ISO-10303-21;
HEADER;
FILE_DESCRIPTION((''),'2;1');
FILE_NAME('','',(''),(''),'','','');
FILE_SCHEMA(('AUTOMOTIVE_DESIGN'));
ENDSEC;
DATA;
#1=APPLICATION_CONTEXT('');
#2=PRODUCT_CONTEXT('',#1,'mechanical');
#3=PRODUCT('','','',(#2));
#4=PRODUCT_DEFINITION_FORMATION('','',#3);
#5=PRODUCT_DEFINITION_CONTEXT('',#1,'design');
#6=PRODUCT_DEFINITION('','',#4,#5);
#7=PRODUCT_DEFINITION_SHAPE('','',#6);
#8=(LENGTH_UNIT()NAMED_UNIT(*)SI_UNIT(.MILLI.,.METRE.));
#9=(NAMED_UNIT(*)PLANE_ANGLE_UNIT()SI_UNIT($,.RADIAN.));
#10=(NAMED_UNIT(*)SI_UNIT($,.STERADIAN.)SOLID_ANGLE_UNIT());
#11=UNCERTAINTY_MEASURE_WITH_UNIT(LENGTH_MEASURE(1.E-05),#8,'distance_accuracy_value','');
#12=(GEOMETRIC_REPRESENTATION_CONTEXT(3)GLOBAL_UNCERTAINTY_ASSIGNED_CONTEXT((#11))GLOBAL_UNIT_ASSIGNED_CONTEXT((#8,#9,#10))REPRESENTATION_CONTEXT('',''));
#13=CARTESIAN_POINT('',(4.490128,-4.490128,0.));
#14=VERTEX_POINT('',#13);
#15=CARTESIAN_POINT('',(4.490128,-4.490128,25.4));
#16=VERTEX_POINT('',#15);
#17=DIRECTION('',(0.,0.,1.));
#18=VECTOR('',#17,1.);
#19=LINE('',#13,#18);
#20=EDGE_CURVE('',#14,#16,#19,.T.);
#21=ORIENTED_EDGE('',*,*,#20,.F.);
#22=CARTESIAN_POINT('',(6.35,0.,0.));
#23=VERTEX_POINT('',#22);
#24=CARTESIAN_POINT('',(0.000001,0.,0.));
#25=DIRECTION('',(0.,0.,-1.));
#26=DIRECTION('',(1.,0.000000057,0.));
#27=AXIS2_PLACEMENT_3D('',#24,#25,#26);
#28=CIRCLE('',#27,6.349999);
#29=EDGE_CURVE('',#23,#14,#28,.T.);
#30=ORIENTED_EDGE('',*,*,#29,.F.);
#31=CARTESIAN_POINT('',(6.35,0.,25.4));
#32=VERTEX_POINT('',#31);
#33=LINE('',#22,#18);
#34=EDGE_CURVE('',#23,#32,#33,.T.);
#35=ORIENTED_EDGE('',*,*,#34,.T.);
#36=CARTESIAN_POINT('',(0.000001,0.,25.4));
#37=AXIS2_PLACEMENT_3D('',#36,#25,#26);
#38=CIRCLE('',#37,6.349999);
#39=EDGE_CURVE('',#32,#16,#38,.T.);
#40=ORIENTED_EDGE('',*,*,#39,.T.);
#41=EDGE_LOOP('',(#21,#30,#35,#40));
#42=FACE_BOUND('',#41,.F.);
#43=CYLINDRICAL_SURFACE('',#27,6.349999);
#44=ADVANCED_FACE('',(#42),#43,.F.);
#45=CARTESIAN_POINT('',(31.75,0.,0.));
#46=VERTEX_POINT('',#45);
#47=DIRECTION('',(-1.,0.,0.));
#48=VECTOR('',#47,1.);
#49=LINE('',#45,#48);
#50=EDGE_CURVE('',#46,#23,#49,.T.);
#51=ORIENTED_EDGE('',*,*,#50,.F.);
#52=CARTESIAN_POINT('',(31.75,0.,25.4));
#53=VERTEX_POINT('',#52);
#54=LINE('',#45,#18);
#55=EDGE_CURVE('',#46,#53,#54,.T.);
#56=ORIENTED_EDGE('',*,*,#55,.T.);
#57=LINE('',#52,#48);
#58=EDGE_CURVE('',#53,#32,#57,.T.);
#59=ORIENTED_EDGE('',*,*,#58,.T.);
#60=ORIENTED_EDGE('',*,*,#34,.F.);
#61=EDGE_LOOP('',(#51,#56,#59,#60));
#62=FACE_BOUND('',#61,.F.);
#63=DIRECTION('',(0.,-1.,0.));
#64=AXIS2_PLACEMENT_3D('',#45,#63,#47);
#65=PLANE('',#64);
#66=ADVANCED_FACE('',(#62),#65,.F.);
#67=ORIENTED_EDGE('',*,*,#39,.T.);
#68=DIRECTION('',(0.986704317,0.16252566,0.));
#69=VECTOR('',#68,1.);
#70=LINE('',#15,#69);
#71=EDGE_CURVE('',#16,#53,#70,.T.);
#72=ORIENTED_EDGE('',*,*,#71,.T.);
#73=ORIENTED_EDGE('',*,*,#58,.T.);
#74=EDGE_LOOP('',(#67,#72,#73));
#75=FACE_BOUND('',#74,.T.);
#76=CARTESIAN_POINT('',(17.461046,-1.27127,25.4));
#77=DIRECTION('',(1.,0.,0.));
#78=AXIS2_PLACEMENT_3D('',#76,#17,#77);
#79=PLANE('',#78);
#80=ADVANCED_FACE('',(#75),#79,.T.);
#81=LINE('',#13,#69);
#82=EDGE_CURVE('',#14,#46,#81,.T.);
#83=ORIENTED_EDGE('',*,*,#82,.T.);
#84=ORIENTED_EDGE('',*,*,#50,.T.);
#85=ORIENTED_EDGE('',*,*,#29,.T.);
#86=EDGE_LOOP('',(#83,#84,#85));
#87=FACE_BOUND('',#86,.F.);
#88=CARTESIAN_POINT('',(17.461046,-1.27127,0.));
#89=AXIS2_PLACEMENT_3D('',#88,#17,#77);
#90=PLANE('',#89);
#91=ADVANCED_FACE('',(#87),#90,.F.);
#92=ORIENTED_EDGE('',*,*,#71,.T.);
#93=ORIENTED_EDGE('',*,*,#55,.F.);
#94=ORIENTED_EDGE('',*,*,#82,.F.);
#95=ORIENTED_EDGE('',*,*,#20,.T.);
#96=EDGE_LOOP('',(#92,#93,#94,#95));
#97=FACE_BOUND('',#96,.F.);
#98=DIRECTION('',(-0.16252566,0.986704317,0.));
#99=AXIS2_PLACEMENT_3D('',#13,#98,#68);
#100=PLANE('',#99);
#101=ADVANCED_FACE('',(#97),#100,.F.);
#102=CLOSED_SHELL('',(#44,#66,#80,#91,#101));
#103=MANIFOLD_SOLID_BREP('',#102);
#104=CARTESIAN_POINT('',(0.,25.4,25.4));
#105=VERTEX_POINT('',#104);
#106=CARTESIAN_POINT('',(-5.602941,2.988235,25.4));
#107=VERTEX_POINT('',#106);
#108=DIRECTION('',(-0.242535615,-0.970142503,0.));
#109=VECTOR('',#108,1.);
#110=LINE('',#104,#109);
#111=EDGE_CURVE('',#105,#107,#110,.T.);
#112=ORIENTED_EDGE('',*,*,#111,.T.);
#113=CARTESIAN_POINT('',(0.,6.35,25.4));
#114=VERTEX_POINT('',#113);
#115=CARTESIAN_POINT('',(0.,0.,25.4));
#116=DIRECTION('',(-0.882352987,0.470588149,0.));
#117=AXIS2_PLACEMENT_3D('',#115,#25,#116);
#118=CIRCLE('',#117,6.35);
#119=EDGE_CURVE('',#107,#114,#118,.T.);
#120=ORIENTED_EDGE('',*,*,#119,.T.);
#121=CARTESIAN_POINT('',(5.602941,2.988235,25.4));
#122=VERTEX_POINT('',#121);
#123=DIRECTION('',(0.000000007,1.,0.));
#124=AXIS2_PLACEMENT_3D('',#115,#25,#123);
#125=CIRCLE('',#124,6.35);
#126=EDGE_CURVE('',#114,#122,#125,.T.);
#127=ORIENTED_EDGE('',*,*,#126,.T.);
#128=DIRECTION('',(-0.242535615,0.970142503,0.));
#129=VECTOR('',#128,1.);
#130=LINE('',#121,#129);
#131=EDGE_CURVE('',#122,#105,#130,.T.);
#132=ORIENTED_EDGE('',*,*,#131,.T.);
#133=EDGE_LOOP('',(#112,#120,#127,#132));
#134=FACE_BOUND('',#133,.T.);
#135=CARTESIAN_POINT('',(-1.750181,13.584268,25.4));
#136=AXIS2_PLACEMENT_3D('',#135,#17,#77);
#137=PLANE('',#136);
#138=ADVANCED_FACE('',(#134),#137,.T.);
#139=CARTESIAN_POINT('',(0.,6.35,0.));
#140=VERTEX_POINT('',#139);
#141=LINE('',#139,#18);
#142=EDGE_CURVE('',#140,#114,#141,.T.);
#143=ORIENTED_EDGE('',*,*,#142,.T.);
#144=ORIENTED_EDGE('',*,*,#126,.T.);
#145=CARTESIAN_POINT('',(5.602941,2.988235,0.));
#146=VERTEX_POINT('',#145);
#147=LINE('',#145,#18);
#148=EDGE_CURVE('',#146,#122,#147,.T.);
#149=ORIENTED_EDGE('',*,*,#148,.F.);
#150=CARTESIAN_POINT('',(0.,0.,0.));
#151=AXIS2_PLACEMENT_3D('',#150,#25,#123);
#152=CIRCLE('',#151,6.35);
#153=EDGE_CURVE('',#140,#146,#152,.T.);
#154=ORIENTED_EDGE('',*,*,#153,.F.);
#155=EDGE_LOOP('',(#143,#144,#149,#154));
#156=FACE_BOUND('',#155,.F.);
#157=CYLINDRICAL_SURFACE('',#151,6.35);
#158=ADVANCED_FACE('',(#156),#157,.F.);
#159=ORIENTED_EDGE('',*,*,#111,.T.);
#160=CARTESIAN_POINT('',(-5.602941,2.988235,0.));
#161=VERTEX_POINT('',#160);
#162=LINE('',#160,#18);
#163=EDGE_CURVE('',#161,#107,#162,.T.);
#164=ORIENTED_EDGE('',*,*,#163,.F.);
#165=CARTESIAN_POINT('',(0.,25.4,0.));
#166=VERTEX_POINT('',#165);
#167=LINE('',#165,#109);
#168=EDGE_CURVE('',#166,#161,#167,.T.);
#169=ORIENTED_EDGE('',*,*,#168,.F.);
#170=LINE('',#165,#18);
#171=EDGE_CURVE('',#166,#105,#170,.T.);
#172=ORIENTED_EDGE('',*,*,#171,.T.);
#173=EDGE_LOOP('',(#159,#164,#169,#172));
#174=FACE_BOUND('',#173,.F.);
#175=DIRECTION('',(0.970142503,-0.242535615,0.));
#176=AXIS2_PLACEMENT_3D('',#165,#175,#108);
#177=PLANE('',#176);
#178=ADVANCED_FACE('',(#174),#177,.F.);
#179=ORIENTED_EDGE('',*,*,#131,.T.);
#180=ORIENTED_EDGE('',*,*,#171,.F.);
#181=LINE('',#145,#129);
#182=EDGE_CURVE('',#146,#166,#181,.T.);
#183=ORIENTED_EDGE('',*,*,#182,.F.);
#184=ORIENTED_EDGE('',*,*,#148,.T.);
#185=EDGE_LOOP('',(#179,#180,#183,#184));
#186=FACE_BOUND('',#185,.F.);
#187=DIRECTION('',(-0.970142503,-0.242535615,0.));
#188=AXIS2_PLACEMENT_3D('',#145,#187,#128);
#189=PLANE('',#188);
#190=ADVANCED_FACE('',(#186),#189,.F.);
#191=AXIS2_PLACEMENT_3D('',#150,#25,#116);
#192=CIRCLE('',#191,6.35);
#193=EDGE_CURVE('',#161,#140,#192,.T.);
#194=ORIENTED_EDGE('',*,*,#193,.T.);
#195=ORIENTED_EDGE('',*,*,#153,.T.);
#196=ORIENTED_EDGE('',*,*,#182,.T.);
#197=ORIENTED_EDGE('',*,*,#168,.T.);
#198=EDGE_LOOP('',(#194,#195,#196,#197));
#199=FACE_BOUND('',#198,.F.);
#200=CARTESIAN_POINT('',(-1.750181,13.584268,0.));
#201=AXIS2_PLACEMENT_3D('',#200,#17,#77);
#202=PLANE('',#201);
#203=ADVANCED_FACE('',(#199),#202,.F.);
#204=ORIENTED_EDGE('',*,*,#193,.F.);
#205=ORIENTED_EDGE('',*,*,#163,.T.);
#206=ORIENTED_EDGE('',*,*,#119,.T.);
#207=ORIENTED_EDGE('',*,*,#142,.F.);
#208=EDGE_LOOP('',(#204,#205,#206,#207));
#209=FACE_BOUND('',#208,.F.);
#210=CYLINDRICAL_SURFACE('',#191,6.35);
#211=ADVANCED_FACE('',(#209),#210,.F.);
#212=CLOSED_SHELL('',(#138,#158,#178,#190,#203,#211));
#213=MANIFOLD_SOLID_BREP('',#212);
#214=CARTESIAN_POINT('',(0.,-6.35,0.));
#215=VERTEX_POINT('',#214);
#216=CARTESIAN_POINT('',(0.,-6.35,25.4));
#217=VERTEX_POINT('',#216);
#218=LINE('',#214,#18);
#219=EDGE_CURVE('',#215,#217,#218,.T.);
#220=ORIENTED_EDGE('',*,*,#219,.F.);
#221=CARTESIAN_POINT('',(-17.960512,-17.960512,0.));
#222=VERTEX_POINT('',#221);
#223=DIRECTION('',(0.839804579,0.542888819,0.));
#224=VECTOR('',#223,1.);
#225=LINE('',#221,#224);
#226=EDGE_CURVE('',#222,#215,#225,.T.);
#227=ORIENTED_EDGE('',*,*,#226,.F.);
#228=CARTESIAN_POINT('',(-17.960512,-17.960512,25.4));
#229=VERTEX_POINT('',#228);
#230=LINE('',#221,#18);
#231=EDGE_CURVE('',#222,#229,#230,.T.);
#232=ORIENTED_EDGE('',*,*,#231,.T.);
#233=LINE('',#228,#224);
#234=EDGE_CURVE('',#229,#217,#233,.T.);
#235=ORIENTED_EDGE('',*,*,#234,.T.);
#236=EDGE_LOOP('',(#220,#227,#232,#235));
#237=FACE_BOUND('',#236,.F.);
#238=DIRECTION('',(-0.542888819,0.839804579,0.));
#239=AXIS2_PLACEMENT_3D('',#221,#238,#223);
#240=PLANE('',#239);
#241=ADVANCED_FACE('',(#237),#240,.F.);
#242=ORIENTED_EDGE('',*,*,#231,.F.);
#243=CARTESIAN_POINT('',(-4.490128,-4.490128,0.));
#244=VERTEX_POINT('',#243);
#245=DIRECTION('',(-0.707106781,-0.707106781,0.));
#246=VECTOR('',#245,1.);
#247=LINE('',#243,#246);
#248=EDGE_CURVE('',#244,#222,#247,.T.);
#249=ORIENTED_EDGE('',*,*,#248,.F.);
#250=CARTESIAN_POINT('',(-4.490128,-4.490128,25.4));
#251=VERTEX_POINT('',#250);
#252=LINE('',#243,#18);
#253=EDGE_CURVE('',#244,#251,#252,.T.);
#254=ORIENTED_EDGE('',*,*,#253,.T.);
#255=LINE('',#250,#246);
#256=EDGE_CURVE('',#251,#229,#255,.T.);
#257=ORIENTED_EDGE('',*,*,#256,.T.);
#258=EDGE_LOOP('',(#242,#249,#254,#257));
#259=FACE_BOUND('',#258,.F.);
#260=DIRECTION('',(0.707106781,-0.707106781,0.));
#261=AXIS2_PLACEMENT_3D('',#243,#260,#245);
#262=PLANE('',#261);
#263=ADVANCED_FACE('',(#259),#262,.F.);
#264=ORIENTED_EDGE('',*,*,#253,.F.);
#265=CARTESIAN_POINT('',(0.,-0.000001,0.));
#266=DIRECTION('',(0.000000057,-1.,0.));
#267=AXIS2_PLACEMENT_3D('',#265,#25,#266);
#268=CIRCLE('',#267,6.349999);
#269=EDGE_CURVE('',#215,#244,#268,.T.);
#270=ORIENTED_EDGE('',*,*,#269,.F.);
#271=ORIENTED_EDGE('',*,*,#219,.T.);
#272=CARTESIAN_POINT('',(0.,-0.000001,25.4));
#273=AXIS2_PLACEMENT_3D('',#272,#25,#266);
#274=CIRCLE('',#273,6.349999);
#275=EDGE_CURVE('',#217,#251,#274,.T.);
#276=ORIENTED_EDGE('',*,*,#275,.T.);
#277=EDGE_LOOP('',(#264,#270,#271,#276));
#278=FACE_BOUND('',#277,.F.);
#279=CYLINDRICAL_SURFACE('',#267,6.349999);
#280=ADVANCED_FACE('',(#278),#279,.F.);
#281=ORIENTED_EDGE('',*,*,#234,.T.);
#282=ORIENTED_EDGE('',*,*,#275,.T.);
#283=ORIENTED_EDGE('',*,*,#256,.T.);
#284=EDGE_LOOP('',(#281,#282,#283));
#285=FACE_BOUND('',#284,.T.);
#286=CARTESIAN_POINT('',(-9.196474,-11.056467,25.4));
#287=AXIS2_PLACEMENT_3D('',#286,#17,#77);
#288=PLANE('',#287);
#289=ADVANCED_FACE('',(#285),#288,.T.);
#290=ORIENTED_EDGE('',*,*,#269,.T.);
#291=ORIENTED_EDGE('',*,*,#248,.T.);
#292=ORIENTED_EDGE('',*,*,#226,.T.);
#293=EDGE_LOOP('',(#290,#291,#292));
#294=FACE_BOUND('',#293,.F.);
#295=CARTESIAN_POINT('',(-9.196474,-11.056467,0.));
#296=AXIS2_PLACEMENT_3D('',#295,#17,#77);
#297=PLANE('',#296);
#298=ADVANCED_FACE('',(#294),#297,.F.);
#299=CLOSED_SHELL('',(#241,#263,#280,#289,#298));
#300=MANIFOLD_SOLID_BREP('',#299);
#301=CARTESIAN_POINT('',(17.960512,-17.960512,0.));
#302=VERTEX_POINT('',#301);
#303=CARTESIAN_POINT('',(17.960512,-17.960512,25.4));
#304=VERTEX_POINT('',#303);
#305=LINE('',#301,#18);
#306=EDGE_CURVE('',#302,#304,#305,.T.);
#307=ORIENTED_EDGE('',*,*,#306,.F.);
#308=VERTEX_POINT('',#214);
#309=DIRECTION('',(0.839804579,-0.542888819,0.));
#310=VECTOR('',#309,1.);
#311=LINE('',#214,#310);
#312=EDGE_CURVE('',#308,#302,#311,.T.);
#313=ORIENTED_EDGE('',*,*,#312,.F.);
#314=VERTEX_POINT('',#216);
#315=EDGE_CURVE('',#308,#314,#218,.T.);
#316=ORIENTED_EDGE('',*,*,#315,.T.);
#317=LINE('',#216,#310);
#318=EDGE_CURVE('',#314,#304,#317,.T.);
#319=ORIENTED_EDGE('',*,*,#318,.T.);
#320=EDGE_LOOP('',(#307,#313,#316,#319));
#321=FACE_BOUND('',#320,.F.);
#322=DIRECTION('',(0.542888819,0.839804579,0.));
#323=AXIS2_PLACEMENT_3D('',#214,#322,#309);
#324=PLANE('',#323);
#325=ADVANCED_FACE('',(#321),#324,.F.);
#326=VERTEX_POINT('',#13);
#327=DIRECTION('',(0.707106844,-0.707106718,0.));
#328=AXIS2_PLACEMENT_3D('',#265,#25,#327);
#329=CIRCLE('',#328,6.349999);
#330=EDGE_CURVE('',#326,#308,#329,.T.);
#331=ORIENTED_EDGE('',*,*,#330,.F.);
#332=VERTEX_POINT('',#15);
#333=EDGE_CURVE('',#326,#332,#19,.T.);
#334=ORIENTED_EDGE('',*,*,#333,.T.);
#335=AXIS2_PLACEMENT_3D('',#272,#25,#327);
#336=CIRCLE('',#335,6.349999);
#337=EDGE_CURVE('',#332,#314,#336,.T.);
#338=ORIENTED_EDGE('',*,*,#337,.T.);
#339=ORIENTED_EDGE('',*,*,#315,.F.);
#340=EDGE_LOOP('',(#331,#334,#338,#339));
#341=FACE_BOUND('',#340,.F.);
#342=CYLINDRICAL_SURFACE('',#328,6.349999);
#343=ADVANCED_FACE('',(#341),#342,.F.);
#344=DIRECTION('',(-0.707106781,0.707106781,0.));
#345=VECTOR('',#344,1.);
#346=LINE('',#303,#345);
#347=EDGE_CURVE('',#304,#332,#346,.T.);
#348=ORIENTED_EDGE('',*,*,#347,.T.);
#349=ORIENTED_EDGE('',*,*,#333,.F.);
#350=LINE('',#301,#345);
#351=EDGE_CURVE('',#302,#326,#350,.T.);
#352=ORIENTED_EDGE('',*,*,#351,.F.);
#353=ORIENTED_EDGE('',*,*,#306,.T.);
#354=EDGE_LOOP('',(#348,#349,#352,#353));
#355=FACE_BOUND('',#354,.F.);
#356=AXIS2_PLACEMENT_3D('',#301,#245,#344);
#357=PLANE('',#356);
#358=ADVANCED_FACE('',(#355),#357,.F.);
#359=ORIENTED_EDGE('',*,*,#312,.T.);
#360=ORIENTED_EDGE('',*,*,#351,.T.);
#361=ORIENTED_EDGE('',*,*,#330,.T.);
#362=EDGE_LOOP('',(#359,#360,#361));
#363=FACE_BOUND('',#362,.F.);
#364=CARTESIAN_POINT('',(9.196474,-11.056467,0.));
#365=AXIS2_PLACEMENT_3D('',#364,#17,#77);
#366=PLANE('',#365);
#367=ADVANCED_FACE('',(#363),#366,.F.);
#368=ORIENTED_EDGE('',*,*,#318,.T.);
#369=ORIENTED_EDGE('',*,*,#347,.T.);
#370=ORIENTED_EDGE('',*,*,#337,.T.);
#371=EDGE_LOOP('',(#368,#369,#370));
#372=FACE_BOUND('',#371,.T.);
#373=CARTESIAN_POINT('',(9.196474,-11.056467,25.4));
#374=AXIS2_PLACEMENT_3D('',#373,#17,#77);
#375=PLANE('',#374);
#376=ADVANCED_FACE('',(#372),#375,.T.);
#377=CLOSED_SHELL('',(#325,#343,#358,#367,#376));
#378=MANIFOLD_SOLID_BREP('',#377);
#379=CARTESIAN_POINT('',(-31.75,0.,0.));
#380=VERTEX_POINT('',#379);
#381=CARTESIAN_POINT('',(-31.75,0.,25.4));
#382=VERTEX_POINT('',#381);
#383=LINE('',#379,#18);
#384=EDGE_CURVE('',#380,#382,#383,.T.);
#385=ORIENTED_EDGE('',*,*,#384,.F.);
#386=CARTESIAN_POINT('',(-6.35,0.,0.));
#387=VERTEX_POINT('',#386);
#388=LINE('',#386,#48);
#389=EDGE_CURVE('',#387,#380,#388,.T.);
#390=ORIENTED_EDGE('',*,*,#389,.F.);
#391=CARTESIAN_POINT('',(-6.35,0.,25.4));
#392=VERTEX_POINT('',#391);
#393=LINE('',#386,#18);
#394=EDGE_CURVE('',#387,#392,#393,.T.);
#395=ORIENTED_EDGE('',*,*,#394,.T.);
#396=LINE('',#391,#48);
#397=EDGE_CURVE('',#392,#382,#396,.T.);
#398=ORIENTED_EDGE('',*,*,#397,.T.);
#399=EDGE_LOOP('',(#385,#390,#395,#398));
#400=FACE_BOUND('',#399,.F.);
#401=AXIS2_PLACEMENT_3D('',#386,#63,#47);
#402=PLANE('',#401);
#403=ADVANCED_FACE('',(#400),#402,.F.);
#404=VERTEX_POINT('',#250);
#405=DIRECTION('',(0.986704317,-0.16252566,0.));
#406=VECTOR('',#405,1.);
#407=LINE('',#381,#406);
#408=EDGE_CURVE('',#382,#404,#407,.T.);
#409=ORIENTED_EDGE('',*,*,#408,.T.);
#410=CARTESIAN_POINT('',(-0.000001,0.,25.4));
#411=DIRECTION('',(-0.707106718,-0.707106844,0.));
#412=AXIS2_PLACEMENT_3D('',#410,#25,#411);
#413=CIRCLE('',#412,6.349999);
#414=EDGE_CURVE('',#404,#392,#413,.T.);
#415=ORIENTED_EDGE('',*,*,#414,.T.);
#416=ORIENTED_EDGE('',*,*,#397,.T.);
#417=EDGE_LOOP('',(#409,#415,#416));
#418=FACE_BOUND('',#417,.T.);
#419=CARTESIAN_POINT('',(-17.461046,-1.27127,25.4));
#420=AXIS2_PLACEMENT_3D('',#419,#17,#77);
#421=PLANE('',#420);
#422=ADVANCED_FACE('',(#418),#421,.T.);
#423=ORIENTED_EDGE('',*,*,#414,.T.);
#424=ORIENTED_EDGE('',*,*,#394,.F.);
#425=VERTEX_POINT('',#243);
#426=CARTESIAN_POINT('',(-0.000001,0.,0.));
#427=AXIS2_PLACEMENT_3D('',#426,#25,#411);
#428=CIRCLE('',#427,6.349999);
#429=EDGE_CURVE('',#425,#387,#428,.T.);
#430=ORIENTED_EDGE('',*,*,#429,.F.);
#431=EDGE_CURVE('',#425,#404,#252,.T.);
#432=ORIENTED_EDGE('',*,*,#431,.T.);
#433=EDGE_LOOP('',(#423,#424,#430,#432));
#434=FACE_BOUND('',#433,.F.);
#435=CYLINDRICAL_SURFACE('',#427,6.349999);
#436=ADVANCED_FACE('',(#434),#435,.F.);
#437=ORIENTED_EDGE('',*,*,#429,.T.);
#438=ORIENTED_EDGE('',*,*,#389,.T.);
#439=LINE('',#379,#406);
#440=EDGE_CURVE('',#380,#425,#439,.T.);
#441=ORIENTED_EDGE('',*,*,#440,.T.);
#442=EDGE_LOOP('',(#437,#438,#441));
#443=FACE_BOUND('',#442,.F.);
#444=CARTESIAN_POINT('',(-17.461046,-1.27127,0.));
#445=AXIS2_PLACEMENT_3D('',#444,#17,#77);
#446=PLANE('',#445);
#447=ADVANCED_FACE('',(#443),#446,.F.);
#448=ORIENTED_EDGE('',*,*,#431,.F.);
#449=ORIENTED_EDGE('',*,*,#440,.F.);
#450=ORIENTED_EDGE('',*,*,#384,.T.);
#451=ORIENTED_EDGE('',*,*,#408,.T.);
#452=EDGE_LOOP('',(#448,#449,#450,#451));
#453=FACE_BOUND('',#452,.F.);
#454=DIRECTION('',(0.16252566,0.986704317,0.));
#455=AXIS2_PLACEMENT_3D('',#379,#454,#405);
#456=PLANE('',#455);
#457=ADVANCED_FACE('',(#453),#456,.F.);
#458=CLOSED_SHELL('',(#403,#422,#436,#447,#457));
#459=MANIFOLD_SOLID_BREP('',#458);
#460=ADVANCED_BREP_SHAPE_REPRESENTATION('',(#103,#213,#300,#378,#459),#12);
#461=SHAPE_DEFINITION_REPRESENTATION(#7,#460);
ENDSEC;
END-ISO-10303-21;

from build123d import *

# Parameters (mm, degrees)
F1_DEPTH = 25.4
F2_R     = 6.35
F3_DEPTH = 25.4


with BuildPart() as f1:
    # F0 (on Top) → F1 (new body)
    with BuildSketch(Plane.XY):
        with BuildLine():
            ThreePointArc((-4.490128, -4.490128), (-5.866635, -2.43004), (-6.35, 0))
            Line((-6.35, 0), (-31.75, 0))
            Line((-31.75, 0), (-4.490128, -4.490128))
        make_face()
        with BuildLine():
            ThreePointArc((-5.602941, 2.988235), (-6.160405, 1.540101), (-6.35, 0))
            Line((-6.35, 0), (-5.602941, 2.988235))
        make_face()
        with BuildLine():
            ThreePointArc((0, -6.35), (-2.43004, -5.866635), (-4.490128, -4.490128))
            Line((-4.490128, -4.490128), (-17.960512, -17.960512))
            Line((-17.960512, -17.960512), (0, -6.35))
        make_face()
        with BuildLine():
            Line((0, 25.4), (-5.602941, 2.988235))
            ThreePointArc((-5.602941, 2.988235), (-3.267048, 5.44508), (0, 6.35))
            Line((0, 6.35), (0, 25.4))
        make_face()
        with BuildLine():
            ThreePointArc((4.490128, -4.490128), (2.43004, -5.866635), (0, -6.35))
            Line((0, -6.35), (17.960512, -17.960512))
            Line((17.960512, -17.960512), (4.490128, -4.490128))
        make_face()
        with BuildLine():
            Line((0, 25.4), (0, 6.35))
            ThreePointArc((0, 6.35), (3.267048, 5.44508), (5.602941, 2.988235))
            Line((5.602941, 2.988235), (0, 25.4))
        make_face()
        with BuildLine():
            ThreePointArc((6.35, 0), (5.866635, -2.43004), (4.490128, -4.490128))
            Line((4.490128, -4.490128), (31.75, 0))
            Line((31.75, 0), (6.35, 0))
        make_face()
        with BuildLine():
            ThreePointArc((6.35, 0), (6.160405, 1.540101), (5.602941, 2.988235))
            Line((5.602941, 2.988235), (6.35, 0))
        make_face()
    extrude(amount=F1_DEPTH)

    # F2 (on face) → F3 (cut)
    with BuildSketch(Plane.XY.offset(25.4)):
        Circle(F2_R)
    extrude(amount=-F3_DEPTH, mode=Mode.SUBTRACT)


solid = f1.part
